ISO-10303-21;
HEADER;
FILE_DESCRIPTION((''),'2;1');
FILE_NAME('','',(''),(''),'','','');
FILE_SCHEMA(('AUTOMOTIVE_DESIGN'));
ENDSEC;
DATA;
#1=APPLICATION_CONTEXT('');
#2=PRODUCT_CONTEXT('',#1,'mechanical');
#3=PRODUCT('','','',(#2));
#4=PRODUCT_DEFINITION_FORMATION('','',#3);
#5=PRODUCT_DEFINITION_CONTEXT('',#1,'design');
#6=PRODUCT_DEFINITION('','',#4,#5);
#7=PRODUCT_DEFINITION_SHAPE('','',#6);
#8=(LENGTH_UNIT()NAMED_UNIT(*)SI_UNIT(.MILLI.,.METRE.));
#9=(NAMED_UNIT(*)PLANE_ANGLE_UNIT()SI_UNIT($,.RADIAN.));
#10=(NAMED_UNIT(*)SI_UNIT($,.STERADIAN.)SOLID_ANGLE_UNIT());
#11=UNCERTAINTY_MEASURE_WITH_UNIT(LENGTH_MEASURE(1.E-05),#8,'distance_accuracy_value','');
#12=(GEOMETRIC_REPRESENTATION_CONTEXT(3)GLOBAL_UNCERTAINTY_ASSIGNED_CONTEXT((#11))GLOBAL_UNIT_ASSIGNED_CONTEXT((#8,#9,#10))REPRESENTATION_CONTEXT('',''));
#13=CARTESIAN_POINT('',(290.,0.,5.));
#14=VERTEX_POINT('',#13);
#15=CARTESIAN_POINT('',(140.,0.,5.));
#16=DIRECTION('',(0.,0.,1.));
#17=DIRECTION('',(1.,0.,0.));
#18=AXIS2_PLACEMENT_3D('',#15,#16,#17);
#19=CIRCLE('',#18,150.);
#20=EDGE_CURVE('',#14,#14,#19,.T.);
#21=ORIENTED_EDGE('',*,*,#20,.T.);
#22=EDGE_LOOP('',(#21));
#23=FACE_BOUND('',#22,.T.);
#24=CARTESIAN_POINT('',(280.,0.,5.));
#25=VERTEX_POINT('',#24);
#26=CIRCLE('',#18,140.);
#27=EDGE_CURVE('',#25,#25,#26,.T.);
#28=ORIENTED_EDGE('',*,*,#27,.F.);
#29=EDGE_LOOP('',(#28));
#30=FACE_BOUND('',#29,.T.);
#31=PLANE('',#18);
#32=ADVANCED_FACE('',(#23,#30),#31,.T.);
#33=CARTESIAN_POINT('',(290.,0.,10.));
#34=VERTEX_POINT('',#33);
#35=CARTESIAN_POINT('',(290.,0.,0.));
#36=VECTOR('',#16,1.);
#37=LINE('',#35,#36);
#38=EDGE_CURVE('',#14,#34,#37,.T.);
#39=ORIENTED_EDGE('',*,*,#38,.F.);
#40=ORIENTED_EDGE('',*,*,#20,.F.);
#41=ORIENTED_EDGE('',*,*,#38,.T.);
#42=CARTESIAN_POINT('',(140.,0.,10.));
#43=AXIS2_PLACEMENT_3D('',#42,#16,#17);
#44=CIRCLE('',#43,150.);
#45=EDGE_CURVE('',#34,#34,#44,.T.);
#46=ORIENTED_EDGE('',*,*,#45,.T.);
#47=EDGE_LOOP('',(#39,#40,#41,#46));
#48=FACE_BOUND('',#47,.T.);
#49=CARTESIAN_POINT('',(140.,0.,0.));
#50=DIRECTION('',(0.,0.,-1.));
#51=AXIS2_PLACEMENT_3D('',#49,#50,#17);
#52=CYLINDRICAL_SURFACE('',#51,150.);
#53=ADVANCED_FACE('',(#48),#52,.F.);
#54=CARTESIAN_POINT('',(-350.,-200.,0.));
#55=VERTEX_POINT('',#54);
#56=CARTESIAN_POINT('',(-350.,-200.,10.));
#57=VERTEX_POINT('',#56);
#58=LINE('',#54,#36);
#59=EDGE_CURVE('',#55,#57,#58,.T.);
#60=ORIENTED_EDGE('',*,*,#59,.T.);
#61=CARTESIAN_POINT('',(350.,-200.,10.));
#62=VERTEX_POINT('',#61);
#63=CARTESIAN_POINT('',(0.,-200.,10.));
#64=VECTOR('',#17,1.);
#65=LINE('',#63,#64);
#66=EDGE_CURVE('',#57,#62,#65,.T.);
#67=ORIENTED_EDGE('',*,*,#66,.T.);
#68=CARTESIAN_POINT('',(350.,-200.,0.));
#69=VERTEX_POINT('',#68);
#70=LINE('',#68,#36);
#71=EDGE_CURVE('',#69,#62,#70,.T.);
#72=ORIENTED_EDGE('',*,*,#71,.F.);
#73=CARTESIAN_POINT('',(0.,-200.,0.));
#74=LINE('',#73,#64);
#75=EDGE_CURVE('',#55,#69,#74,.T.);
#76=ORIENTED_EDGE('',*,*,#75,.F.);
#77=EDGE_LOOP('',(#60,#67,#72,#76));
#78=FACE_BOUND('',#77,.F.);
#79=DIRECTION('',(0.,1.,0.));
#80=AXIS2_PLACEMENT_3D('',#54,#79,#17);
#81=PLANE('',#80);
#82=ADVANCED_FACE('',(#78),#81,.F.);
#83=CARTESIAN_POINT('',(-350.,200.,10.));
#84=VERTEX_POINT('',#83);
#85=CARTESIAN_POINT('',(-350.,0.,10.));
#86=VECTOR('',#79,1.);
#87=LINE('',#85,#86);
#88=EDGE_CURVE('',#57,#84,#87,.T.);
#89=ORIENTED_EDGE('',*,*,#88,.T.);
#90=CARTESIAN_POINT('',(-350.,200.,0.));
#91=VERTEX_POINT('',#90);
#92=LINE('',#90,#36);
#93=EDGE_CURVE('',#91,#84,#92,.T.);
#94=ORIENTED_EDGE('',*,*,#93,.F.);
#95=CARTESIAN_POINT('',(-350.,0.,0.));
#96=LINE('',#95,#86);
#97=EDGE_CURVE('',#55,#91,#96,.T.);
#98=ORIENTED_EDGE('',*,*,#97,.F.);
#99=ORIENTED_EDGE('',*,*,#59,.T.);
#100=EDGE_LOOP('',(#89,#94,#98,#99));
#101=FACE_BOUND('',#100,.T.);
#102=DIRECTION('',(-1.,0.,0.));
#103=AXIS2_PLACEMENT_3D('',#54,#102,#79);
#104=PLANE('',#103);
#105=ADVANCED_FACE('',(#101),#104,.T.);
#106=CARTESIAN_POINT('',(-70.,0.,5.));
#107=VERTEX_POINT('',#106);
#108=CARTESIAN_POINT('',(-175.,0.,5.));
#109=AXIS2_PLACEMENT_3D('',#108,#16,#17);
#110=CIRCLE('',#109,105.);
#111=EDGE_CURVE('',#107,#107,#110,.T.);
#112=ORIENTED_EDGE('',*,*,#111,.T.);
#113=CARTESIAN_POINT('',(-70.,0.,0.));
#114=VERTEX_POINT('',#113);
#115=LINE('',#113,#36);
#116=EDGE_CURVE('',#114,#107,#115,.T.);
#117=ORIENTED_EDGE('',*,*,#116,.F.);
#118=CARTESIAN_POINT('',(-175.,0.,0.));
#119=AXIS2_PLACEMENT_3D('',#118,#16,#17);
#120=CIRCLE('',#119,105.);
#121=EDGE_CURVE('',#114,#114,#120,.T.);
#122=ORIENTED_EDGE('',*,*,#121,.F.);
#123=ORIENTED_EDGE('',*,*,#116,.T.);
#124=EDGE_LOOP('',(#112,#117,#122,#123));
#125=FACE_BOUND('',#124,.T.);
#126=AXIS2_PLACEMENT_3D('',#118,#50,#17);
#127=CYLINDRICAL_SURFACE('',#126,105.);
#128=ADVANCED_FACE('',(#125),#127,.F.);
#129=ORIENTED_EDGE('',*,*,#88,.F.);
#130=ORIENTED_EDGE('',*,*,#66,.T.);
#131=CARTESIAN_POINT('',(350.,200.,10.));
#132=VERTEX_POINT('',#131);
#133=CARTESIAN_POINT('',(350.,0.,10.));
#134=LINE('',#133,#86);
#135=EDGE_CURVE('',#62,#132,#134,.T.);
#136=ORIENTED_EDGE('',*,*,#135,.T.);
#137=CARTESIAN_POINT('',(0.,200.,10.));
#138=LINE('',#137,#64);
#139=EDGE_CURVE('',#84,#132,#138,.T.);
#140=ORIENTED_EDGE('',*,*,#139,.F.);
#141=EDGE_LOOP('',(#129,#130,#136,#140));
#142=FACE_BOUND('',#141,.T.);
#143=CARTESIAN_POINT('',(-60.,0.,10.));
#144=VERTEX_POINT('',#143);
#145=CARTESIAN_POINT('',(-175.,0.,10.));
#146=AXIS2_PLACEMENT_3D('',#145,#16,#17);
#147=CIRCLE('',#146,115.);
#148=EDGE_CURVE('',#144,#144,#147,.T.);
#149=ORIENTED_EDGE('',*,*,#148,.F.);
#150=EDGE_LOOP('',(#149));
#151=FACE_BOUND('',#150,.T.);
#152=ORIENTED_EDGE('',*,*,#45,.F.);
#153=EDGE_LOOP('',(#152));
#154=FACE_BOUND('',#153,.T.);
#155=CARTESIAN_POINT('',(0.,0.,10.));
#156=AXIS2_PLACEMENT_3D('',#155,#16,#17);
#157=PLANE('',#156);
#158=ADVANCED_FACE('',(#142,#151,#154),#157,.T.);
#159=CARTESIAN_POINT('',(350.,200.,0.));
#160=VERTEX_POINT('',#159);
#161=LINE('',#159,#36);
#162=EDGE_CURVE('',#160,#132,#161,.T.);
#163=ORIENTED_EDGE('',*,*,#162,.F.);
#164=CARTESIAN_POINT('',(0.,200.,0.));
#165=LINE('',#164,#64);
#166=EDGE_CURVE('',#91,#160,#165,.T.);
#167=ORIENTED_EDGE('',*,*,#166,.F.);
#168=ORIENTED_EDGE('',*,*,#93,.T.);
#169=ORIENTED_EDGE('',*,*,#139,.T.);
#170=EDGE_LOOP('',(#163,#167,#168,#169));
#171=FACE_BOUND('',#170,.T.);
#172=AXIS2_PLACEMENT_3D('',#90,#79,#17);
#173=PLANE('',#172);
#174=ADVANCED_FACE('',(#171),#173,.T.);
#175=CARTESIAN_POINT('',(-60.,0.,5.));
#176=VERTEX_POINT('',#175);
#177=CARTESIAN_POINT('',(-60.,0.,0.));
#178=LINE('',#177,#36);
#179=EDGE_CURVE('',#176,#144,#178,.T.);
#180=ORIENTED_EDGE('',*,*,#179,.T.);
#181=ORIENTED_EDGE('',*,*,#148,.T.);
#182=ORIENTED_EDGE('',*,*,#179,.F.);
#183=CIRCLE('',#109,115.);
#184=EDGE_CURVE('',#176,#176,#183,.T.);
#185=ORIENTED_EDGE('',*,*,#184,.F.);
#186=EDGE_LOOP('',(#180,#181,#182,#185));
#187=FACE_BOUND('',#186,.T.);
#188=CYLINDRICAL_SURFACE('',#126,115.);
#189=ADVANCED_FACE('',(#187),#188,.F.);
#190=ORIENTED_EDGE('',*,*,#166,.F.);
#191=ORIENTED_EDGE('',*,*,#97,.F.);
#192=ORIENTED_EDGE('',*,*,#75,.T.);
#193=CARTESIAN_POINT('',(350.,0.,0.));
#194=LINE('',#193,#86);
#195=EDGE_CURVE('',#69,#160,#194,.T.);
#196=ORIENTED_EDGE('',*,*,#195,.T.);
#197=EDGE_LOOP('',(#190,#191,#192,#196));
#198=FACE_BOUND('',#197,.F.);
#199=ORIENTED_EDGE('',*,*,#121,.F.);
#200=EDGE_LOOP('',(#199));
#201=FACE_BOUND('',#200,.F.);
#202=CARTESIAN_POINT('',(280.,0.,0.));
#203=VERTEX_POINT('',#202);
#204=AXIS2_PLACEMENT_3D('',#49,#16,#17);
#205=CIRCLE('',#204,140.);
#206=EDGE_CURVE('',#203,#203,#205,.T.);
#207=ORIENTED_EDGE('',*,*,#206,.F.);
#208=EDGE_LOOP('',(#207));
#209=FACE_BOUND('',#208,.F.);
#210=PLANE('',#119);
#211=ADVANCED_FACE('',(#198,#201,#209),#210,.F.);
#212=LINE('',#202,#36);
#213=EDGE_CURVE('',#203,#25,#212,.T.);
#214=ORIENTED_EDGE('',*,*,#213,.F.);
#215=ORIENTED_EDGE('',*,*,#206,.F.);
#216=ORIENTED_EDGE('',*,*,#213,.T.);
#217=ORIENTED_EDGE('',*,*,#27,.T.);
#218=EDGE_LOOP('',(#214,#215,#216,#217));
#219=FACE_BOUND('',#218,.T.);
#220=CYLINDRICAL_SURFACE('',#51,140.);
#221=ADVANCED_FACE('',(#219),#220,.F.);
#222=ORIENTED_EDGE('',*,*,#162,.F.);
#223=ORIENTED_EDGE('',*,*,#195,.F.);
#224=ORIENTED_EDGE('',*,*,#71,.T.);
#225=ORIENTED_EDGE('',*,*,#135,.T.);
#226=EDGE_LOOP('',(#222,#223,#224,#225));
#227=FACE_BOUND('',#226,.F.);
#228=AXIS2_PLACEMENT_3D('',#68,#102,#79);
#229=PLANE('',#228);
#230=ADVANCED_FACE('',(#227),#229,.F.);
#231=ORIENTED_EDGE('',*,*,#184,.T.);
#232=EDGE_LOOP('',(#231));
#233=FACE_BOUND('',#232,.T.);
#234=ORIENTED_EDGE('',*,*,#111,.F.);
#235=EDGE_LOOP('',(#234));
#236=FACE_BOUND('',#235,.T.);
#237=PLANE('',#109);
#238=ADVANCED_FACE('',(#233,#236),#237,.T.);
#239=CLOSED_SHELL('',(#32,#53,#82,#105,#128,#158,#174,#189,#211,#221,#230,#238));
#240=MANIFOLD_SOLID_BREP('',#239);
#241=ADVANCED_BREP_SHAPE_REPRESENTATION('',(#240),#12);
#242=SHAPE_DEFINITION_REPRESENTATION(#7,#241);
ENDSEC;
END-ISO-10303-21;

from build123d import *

# Parameters (mm, degrees)
F0_W     = 700
F0_H     = 400
F0_R     = 115
F0_R_2   = 150
F1_DEPTH = 10
F0_R_3   = 105
F0_R_4   = 140
F2_DEPTH = 5


with BuildPart() as f1:
    # F0 (on Top) → F1 (new body)
    with BuildSketch(Plane.XY):
        Rectangle(F0_W, F0_H)
        with Locations((-175, 0)):
            Circle(F0_R, mode=Mode.SUBTRACT)
        with Locations((140, 0)):
            Circle(F0_R_2, mode=Mode.SUBTRACT)
    extrude(amount=F1_DEPTH)

    # F0 (on Top) → F2 (join)
    with BuildSketch(Plane.XY):
        with Locations((-175, 0)):
            Circle(F0_R)
        with Locations((-175, 0)):
            Circle(F0_R_3, mode=Mode.SUBTRACT)
        with Locations((140, 0)):
            Circle(F0_R_2)
        with Locations((140, 0)):
            Circle(F0_R_4, mode=Mode.SUBTRACT)
    extrude(amount=F2_DEPTH)


solid = f1.part
